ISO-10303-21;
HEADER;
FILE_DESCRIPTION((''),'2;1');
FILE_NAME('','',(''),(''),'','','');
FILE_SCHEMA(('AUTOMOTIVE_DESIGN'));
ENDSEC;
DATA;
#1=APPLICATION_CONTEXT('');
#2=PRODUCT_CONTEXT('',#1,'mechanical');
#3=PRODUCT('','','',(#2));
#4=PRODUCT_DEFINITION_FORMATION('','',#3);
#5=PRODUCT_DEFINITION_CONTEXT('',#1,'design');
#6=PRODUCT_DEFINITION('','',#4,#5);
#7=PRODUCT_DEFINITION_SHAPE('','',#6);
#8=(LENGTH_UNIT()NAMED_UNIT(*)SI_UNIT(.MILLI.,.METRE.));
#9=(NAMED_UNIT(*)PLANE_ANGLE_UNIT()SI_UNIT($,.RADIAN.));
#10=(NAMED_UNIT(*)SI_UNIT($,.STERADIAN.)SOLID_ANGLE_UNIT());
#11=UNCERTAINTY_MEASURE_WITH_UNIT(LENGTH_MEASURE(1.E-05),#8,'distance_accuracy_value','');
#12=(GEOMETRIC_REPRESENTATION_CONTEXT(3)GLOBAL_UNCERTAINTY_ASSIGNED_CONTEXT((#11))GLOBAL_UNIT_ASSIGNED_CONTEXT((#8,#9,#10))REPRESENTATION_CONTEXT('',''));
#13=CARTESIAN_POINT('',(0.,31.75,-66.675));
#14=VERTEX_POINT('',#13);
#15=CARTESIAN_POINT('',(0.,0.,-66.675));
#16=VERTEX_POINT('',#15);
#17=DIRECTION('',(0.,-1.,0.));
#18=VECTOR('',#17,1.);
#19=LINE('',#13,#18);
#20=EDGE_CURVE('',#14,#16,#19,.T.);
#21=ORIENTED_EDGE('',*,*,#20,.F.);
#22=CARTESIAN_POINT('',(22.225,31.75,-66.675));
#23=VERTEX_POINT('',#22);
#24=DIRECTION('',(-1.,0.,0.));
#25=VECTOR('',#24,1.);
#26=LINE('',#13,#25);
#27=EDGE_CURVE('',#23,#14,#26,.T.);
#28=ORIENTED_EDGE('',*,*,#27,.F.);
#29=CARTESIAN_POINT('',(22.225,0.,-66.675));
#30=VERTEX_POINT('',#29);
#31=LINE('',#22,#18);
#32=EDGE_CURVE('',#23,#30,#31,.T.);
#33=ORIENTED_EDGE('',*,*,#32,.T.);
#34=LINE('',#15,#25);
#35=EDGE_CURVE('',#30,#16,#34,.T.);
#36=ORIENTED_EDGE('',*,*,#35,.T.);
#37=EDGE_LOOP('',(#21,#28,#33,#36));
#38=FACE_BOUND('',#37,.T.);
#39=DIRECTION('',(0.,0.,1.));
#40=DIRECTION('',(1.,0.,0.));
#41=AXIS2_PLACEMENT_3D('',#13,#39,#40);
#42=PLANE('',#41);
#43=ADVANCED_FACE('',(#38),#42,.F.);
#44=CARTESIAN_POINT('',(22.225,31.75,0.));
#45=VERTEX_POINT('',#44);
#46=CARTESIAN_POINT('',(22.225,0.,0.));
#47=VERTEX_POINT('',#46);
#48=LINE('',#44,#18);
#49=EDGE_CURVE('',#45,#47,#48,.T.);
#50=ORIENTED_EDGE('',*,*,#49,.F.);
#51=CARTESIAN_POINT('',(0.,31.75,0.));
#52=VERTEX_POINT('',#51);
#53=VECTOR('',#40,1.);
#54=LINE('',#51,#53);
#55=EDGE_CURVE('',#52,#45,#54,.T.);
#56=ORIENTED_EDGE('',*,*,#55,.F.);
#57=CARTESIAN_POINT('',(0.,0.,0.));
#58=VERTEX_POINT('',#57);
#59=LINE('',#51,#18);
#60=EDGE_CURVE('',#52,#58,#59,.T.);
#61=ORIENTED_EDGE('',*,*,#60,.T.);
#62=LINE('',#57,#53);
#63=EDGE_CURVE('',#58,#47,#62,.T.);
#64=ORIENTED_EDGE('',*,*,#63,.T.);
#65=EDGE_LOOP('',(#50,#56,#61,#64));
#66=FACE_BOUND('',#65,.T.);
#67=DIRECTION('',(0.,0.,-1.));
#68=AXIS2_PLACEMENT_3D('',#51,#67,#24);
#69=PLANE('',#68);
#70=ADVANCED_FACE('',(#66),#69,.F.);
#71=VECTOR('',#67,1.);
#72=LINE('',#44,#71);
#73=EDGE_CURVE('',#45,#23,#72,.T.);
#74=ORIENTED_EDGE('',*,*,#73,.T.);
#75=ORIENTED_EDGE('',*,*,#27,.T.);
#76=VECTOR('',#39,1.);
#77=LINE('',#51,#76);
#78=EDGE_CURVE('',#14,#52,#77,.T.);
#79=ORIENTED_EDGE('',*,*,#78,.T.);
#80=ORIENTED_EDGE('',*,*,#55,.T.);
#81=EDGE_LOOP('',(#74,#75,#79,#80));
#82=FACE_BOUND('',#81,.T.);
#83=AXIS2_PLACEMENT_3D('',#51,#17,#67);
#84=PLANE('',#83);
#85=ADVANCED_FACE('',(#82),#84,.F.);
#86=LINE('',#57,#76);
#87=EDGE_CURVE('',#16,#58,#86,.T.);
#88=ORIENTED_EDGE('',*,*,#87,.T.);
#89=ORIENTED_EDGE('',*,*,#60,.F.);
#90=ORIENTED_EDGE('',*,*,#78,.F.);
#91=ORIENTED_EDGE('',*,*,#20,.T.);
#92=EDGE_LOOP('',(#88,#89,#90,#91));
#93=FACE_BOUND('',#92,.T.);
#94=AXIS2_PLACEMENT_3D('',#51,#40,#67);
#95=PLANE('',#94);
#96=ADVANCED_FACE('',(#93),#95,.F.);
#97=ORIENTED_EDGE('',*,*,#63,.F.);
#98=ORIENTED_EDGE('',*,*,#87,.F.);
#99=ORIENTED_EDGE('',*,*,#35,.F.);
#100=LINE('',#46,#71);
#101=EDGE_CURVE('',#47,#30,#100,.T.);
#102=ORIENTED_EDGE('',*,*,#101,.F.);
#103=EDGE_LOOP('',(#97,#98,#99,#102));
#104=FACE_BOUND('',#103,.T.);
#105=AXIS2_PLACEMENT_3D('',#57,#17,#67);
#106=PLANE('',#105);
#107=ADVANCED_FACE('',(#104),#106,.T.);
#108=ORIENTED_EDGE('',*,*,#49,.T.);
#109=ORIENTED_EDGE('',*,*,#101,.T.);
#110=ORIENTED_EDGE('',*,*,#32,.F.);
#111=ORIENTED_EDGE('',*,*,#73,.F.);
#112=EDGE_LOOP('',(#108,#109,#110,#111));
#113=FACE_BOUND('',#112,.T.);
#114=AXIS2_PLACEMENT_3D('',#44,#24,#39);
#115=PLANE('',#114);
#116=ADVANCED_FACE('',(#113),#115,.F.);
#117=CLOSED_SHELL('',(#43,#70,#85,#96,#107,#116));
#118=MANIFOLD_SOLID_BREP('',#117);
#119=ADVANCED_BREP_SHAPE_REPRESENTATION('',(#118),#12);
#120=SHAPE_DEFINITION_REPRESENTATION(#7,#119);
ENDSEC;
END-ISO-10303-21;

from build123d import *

# Parameters (mm, degrees)
SKETCH2_W           = 22.225
SKETCH2_H           = 66.675
BOSS_EXTRUDE1_DEPTH = 31.75


with BuildPart() as part:
    # Sketch2 → Boss-Extrude1 (new body)
    with BuildSketch(Plane(origin=(0, 0, 0), x_dir=(1, 0, 0), z_dir=(0, 1, 0))):
        with Locations((11.1125, 33.3375)):
            Rectangle(SKETCH2_W, SKETCH2_H)
    extrude(amount=BOSS_EXTRUDE1_DEPTH)


solid = part.part
